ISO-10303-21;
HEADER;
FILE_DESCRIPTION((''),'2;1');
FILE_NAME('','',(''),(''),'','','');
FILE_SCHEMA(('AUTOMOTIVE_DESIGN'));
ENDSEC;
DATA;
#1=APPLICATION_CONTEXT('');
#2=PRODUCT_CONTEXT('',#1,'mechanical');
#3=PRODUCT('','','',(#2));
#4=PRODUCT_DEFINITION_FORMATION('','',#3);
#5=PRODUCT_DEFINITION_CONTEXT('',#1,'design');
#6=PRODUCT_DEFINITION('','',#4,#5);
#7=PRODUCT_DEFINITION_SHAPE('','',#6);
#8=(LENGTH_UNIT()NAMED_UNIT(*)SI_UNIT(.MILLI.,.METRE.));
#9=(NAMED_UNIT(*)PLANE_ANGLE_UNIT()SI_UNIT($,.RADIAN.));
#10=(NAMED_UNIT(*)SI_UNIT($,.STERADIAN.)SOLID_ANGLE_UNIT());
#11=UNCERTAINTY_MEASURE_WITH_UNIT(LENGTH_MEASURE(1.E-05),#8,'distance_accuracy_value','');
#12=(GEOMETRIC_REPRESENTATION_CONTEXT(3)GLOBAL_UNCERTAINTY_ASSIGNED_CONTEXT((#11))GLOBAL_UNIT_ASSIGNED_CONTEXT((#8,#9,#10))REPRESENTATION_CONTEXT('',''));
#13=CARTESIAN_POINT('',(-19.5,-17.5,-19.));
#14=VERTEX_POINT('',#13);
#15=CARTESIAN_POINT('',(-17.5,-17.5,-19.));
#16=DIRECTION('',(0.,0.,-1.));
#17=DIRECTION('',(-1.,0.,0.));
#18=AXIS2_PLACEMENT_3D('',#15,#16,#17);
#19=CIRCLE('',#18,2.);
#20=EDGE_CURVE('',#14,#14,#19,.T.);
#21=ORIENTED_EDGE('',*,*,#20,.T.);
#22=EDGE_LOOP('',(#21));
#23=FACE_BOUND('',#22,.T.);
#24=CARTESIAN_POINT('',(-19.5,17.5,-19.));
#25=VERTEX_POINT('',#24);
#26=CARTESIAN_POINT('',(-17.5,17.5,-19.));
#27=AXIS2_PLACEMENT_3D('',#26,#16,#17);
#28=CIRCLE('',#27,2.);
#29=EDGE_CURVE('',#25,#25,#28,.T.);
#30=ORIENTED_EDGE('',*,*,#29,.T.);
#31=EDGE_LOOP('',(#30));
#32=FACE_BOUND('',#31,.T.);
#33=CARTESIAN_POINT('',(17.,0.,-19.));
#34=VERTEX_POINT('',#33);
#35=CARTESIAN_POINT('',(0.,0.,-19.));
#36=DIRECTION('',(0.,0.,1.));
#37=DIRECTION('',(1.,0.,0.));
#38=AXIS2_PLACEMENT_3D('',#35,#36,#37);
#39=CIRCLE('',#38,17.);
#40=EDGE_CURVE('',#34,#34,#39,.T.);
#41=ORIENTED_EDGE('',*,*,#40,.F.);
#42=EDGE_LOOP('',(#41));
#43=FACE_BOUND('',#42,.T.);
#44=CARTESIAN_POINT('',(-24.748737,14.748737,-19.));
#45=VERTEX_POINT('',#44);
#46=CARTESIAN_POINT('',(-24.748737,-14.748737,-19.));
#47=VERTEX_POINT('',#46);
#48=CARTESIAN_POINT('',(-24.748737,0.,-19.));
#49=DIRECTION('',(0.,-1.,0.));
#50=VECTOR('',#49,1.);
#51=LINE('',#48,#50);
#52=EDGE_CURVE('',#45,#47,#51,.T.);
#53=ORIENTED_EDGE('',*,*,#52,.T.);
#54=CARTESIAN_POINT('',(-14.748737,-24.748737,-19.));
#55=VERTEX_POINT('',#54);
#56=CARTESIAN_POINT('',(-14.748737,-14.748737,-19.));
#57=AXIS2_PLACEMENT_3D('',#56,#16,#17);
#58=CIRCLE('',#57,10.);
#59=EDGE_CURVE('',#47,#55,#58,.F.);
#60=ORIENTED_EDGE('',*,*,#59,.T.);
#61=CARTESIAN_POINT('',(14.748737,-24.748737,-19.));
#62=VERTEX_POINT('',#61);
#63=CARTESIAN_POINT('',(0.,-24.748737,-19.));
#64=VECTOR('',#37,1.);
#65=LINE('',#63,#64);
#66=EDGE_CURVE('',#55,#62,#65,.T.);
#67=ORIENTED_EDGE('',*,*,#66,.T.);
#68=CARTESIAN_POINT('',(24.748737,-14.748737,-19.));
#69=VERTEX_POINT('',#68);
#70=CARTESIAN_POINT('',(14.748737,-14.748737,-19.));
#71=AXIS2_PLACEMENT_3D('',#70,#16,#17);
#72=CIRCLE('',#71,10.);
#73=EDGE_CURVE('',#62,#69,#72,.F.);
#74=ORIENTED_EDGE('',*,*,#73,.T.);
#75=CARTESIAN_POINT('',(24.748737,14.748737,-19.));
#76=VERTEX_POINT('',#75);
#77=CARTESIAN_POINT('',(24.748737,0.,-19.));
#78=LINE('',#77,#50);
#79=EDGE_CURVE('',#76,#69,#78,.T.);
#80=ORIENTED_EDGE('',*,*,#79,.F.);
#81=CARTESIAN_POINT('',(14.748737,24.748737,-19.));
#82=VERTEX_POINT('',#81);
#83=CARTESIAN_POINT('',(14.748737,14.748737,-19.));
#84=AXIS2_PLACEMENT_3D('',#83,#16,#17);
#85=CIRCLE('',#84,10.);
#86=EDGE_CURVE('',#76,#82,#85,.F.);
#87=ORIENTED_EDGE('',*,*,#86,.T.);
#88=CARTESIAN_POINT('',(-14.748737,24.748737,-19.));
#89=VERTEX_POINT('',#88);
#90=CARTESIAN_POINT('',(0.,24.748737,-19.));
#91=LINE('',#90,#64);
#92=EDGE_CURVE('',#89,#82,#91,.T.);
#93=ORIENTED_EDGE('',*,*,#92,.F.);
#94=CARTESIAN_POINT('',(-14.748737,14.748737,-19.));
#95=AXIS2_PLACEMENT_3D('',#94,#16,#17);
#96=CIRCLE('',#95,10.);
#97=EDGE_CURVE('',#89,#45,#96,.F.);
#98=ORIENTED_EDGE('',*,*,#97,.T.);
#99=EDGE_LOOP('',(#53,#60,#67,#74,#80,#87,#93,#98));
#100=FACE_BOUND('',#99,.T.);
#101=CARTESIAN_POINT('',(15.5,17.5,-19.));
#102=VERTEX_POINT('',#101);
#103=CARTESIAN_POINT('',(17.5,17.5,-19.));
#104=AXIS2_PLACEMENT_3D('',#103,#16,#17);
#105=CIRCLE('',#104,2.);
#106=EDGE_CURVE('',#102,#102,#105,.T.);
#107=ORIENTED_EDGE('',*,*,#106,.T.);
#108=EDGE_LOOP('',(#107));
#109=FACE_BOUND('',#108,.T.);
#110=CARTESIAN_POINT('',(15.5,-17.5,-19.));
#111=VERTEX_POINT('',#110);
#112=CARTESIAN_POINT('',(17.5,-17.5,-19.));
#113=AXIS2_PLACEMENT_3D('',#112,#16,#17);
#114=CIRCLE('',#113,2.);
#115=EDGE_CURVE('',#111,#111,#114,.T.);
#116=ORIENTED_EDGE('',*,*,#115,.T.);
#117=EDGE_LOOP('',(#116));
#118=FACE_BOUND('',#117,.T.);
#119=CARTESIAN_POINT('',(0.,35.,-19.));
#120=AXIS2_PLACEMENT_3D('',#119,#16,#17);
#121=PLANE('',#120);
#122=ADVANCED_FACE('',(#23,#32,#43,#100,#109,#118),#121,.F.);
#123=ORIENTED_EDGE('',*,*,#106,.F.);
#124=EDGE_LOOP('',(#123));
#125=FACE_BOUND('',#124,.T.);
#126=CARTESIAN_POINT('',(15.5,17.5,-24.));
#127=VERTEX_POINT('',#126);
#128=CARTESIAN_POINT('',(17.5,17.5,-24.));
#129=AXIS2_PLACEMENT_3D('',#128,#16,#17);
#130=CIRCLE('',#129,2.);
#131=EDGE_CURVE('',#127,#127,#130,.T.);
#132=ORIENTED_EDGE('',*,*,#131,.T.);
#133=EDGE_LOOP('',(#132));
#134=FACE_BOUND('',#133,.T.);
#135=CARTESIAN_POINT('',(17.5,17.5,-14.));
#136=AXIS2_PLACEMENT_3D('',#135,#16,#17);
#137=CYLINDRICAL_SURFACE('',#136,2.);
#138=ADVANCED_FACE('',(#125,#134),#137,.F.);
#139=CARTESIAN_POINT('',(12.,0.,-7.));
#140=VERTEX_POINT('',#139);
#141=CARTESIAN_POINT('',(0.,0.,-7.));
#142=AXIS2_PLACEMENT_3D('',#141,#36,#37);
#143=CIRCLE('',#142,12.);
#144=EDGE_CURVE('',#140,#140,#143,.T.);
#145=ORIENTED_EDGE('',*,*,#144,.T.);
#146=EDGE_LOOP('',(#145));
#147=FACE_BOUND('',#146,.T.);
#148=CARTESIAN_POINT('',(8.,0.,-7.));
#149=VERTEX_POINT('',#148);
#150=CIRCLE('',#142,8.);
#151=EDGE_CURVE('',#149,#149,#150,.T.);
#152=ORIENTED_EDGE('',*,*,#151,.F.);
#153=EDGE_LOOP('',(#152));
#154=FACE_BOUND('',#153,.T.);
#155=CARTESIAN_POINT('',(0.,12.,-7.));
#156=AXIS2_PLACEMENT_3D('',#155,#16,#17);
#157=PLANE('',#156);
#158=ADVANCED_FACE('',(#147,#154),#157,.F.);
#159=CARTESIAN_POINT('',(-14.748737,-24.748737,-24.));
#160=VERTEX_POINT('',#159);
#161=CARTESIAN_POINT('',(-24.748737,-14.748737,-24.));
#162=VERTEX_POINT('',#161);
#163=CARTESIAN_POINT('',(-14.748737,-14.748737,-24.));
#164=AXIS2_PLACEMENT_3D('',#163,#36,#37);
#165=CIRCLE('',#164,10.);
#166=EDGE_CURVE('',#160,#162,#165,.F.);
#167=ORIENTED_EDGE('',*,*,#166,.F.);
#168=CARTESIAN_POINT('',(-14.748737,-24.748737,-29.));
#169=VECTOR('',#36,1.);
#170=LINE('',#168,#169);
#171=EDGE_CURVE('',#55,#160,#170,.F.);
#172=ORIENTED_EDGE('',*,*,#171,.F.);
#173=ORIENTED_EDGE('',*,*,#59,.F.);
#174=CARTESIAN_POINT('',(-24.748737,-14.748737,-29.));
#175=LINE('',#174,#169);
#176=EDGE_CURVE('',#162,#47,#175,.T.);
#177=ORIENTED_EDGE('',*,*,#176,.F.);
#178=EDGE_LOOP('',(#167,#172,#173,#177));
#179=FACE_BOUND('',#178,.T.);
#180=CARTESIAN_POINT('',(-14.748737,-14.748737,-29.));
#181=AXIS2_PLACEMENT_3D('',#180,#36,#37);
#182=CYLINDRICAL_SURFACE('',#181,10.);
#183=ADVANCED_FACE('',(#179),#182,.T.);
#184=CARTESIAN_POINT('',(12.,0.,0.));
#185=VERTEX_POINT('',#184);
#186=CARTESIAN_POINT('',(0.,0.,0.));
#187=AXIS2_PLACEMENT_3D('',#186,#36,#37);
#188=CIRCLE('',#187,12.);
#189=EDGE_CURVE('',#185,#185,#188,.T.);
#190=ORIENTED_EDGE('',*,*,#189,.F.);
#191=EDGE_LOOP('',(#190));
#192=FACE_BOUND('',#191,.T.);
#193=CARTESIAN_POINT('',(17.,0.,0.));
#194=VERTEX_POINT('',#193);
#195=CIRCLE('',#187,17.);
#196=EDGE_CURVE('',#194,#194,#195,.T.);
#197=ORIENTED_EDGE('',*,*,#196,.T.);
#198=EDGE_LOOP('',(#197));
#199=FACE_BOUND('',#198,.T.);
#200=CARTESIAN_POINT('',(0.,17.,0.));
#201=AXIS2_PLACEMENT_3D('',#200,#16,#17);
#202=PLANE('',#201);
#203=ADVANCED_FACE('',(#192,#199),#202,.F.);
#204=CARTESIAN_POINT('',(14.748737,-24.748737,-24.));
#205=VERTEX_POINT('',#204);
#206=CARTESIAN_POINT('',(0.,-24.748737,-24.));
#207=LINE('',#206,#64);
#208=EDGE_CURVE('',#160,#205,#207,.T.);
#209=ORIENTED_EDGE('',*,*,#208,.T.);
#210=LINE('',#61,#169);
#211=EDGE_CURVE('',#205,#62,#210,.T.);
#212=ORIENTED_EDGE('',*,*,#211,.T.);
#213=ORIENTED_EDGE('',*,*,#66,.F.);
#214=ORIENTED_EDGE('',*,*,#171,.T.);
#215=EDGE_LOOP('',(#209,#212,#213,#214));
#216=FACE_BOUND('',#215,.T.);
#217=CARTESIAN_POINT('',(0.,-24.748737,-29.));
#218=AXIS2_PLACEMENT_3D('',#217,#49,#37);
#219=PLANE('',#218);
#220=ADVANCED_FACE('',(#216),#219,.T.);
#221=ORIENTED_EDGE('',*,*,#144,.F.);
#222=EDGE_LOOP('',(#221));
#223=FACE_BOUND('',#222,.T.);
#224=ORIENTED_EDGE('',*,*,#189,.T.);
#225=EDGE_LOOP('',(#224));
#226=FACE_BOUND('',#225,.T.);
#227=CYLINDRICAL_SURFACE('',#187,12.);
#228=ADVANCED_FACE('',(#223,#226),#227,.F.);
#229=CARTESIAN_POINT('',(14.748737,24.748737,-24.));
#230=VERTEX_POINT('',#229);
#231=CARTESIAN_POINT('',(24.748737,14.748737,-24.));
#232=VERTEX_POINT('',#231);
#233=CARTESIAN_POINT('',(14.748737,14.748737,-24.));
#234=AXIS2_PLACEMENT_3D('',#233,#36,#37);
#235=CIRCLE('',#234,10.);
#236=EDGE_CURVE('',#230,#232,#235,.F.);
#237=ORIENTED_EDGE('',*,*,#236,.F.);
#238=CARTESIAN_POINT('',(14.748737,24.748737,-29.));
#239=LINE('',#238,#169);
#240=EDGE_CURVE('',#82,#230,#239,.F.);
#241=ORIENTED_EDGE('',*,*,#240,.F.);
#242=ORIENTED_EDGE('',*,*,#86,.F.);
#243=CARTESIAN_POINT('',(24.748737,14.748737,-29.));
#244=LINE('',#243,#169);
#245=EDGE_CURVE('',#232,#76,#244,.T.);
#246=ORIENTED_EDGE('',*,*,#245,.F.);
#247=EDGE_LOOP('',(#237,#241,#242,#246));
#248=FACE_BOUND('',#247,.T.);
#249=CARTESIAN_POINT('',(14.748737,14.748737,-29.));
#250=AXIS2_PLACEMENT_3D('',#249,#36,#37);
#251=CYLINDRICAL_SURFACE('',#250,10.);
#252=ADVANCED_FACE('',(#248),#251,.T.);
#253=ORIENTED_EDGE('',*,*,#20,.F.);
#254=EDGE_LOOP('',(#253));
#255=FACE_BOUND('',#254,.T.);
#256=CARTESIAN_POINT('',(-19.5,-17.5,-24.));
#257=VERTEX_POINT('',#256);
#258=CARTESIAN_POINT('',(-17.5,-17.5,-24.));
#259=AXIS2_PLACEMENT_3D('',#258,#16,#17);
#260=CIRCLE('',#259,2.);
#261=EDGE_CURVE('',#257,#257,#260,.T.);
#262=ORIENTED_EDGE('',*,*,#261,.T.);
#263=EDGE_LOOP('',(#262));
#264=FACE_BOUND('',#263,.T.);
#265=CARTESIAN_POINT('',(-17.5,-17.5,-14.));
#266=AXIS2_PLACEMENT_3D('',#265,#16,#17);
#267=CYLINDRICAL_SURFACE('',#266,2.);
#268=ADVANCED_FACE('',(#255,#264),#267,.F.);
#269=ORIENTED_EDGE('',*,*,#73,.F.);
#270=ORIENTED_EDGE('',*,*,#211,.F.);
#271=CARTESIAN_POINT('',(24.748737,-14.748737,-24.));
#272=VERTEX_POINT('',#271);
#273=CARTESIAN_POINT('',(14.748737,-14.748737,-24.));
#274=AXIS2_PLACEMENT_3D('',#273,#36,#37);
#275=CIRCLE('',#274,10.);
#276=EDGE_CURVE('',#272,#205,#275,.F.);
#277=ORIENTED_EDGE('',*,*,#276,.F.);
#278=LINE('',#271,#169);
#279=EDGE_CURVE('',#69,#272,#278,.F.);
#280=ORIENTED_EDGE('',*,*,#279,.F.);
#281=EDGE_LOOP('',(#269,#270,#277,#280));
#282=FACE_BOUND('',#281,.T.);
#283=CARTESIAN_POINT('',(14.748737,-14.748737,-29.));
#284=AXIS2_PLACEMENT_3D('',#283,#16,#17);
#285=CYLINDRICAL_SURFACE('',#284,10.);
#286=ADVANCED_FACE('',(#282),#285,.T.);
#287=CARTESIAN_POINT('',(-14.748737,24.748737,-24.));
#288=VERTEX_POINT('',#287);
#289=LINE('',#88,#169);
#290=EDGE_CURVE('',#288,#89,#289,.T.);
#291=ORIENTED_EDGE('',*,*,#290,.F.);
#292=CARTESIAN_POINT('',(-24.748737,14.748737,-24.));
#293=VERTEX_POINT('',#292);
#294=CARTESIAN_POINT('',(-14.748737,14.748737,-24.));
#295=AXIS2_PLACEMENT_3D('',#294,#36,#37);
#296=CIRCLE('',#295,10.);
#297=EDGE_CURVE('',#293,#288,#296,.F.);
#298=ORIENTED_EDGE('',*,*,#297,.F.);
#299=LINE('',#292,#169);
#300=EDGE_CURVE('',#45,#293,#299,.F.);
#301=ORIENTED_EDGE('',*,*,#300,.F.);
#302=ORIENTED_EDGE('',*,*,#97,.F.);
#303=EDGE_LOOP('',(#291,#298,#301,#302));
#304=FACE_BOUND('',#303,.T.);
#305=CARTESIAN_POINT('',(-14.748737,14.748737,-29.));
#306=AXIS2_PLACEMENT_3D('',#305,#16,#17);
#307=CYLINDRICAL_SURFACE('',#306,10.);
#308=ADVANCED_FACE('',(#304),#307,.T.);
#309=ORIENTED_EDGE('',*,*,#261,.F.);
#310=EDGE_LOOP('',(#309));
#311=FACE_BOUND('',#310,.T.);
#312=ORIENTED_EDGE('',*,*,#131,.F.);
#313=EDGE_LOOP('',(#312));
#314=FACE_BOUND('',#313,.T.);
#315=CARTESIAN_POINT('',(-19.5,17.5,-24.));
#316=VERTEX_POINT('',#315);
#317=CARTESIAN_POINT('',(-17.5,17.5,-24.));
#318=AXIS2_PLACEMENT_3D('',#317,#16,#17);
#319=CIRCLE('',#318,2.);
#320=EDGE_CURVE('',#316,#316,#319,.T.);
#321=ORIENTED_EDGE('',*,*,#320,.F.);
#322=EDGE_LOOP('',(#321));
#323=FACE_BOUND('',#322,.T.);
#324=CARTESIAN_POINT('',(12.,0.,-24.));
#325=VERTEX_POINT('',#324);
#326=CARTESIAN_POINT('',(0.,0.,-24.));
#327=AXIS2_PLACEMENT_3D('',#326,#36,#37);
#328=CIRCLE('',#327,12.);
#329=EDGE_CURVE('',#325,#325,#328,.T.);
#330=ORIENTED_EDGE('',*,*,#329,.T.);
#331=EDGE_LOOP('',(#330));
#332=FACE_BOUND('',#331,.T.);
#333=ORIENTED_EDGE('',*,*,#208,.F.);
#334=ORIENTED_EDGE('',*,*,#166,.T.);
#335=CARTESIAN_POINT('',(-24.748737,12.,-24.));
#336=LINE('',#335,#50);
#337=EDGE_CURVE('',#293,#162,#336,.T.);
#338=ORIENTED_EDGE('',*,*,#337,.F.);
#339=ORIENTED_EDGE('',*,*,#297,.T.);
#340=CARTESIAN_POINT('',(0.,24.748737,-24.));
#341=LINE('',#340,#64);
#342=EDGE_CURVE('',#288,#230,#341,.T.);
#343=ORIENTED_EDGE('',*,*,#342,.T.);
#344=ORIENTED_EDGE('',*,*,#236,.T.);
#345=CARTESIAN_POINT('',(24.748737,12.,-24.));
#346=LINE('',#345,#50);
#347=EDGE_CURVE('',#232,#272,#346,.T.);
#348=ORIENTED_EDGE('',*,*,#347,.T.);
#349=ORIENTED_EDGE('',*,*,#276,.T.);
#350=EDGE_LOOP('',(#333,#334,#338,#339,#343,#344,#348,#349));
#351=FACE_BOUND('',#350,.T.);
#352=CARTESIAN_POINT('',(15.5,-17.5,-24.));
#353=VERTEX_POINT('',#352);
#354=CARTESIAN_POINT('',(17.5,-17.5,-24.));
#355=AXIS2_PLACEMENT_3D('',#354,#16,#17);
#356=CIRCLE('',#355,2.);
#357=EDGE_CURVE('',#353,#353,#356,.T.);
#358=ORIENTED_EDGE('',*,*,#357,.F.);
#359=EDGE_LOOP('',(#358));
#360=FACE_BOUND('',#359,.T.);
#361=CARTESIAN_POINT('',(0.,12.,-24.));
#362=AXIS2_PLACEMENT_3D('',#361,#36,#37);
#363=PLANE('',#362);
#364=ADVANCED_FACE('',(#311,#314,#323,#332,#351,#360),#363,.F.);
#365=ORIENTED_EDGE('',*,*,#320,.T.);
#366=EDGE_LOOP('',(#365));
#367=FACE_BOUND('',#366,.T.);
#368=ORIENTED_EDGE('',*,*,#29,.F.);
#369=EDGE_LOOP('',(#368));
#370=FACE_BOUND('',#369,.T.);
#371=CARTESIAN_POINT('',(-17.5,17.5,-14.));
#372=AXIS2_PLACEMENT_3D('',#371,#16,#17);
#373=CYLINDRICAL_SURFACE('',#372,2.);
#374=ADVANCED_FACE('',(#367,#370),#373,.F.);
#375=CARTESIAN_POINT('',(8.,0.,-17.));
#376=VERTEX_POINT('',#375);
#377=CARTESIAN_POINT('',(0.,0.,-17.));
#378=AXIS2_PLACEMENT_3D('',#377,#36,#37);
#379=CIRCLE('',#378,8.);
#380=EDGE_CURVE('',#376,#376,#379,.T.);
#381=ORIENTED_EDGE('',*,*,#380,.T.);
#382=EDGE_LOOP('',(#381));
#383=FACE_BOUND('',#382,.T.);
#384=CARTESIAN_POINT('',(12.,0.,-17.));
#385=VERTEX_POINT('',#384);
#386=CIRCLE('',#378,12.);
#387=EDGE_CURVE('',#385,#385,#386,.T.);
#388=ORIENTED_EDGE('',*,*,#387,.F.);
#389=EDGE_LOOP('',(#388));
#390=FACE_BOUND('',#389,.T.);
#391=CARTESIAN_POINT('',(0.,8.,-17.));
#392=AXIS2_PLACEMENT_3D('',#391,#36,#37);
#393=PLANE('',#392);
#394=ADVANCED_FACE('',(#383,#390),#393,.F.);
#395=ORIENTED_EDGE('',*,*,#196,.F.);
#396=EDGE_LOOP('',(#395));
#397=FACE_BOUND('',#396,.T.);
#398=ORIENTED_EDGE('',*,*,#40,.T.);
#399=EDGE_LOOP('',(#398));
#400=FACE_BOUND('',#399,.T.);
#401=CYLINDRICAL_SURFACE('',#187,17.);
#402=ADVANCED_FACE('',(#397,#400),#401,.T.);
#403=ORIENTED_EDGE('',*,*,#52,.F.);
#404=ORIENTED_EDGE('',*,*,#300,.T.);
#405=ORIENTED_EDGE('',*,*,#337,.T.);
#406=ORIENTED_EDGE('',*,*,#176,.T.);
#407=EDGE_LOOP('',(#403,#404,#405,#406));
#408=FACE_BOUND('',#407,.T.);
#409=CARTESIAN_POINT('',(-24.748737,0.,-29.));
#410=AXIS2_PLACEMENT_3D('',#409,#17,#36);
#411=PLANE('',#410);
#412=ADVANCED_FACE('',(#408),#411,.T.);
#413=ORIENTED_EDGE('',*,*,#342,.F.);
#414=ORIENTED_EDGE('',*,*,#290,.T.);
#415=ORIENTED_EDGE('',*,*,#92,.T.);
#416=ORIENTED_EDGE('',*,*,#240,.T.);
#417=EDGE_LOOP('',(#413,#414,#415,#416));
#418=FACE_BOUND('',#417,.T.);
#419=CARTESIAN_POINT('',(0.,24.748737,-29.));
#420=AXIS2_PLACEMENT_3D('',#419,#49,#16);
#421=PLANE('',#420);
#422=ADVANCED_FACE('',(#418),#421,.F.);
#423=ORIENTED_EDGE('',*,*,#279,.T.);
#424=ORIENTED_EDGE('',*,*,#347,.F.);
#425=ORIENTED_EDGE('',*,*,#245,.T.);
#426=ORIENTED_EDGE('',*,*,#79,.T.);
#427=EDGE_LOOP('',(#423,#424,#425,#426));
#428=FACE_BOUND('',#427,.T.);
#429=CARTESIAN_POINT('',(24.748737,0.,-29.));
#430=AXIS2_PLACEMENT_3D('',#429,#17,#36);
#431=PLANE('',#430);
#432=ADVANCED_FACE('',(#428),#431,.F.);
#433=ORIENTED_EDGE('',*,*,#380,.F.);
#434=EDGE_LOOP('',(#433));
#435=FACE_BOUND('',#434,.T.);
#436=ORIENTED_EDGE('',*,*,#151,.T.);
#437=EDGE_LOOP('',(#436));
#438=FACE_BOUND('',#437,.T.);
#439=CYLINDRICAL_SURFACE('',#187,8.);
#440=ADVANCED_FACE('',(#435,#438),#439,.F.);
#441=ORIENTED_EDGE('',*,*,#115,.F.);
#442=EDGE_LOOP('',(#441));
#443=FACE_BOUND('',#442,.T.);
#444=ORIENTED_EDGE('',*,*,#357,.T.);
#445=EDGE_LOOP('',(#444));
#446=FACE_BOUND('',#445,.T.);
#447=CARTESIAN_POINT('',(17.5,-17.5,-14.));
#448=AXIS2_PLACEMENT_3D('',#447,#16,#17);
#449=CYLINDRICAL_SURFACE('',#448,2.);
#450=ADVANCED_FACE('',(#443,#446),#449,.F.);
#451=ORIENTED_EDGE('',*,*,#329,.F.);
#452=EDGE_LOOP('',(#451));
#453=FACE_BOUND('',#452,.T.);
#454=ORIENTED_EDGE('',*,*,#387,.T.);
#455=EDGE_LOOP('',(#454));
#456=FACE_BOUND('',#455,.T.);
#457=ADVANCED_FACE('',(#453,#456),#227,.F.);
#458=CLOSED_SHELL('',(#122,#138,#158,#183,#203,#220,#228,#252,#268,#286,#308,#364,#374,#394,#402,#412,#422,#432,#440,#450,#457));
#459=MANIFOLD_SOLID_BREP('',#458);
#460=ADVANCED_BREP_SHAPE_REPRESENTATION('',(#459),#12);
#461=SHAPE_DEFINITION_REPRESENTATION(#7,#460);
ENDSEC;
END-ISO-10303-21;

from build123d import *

# Parameters (mm, degrees)
CUT_EXTRUDE1_DEPTH = 10
FILLET1_R          = 10
SKETCH5_R          = 2
CUT_EXTRUDE2_DEPTH = 10


with BuildPart() as part:
    # Sketch3 → Revolve1 (revolve)
    with BuildSketch(Plane(origin=(0, 0, 0), x_dir=(0, 0, -1), z_dir=(1, 0, 0))):
        Polygon((0, 12), (7, 12), (7, 8), (17, 8), (17, 12), (24, 12), (24, 35), (19, 35), (19, 17), (0, 17), align=None)
    revolve(axis=Axis((0, 0, 0), (0, 0, -1)))

    # Sketch4 → Cut-Extrude1 (cut)
    with BuildSketch(Plane.XY.offset(-19)):
        with BuildLine():
            ThreePointArc((35, 0), (32.335783638, 13.393920133), (24.748737342, 24.748737342))
            Line((24.748737342, 24.748737342), (24.748737342, -24.748737342))
            ThreePointArc((24.748737342, -24.748737342), (32.335783638, -13.393920133), (35, 0))
        make_face()
        with BuildLine():
            ThreePointArc((24.748737342, 24.748737342), (0, 35), (-24.748737342, 24.748737342))
            Line((-24.748737342, 24.748737342), (24.748737342, 24.748737342))
        make_face()
        with BuildLine():
            Line((-24.748737342, -24.748737342), (-24.748737342, 24.748737342))
            ThreePointArc((-24.748737342, 24.748737342), (-35, 0), (-24.748737342, -24.748737342))
        make_face()
        with BuildLine():
            Line((24.748737342, -24.748737342), (-24.748737342, -24.748737342))
            ThreePointArc((-24.748737342, -24.748737342), (0, -35), (24.748737342, -24.748737342))
        make_face()
    extrude(amount=-CUT_EXTRUDE1_DEPTH, mode=Mode.SUBTRACT)

    # Fillet1
    fillet1_edges = [part.edges().sort_by_distance(p)[0] for p in [
        (24.748737342, 24.748737342, -21.5),
        (24.748737342, -24.748737342, -21.5),
        (-24.748737342, 24.748737342, -21.5),
        (-24.748737342, -24.748737342, -21.5),
    ]]
    fillet(fillet1_edges, radius=FILLET1_R)

    # Sketch5 → Cut-Extrude2 (cut)
    with BuildSketch(Plane(origin=(0, 0, -24), x_dir=(-1, 0, 0), z_dir=(0, 0, -1))):
        with Locations((-17.5, 17.5)):
            Circle(SKETCH5_R)
        with Locations((17.5, 17.5)):
            Circle(SKETCH5_R)
        with Locations((17.5, -17.5)):
            Circle(SKETCH5_R)
        with Locations((-17.5, -17.5)):
            Circle(SKETCH5_R)
    extrude(amount=-CUT_EXTRUDE2_DEPTH, mode=Mode.SUBTRACT)


solid = part.part
